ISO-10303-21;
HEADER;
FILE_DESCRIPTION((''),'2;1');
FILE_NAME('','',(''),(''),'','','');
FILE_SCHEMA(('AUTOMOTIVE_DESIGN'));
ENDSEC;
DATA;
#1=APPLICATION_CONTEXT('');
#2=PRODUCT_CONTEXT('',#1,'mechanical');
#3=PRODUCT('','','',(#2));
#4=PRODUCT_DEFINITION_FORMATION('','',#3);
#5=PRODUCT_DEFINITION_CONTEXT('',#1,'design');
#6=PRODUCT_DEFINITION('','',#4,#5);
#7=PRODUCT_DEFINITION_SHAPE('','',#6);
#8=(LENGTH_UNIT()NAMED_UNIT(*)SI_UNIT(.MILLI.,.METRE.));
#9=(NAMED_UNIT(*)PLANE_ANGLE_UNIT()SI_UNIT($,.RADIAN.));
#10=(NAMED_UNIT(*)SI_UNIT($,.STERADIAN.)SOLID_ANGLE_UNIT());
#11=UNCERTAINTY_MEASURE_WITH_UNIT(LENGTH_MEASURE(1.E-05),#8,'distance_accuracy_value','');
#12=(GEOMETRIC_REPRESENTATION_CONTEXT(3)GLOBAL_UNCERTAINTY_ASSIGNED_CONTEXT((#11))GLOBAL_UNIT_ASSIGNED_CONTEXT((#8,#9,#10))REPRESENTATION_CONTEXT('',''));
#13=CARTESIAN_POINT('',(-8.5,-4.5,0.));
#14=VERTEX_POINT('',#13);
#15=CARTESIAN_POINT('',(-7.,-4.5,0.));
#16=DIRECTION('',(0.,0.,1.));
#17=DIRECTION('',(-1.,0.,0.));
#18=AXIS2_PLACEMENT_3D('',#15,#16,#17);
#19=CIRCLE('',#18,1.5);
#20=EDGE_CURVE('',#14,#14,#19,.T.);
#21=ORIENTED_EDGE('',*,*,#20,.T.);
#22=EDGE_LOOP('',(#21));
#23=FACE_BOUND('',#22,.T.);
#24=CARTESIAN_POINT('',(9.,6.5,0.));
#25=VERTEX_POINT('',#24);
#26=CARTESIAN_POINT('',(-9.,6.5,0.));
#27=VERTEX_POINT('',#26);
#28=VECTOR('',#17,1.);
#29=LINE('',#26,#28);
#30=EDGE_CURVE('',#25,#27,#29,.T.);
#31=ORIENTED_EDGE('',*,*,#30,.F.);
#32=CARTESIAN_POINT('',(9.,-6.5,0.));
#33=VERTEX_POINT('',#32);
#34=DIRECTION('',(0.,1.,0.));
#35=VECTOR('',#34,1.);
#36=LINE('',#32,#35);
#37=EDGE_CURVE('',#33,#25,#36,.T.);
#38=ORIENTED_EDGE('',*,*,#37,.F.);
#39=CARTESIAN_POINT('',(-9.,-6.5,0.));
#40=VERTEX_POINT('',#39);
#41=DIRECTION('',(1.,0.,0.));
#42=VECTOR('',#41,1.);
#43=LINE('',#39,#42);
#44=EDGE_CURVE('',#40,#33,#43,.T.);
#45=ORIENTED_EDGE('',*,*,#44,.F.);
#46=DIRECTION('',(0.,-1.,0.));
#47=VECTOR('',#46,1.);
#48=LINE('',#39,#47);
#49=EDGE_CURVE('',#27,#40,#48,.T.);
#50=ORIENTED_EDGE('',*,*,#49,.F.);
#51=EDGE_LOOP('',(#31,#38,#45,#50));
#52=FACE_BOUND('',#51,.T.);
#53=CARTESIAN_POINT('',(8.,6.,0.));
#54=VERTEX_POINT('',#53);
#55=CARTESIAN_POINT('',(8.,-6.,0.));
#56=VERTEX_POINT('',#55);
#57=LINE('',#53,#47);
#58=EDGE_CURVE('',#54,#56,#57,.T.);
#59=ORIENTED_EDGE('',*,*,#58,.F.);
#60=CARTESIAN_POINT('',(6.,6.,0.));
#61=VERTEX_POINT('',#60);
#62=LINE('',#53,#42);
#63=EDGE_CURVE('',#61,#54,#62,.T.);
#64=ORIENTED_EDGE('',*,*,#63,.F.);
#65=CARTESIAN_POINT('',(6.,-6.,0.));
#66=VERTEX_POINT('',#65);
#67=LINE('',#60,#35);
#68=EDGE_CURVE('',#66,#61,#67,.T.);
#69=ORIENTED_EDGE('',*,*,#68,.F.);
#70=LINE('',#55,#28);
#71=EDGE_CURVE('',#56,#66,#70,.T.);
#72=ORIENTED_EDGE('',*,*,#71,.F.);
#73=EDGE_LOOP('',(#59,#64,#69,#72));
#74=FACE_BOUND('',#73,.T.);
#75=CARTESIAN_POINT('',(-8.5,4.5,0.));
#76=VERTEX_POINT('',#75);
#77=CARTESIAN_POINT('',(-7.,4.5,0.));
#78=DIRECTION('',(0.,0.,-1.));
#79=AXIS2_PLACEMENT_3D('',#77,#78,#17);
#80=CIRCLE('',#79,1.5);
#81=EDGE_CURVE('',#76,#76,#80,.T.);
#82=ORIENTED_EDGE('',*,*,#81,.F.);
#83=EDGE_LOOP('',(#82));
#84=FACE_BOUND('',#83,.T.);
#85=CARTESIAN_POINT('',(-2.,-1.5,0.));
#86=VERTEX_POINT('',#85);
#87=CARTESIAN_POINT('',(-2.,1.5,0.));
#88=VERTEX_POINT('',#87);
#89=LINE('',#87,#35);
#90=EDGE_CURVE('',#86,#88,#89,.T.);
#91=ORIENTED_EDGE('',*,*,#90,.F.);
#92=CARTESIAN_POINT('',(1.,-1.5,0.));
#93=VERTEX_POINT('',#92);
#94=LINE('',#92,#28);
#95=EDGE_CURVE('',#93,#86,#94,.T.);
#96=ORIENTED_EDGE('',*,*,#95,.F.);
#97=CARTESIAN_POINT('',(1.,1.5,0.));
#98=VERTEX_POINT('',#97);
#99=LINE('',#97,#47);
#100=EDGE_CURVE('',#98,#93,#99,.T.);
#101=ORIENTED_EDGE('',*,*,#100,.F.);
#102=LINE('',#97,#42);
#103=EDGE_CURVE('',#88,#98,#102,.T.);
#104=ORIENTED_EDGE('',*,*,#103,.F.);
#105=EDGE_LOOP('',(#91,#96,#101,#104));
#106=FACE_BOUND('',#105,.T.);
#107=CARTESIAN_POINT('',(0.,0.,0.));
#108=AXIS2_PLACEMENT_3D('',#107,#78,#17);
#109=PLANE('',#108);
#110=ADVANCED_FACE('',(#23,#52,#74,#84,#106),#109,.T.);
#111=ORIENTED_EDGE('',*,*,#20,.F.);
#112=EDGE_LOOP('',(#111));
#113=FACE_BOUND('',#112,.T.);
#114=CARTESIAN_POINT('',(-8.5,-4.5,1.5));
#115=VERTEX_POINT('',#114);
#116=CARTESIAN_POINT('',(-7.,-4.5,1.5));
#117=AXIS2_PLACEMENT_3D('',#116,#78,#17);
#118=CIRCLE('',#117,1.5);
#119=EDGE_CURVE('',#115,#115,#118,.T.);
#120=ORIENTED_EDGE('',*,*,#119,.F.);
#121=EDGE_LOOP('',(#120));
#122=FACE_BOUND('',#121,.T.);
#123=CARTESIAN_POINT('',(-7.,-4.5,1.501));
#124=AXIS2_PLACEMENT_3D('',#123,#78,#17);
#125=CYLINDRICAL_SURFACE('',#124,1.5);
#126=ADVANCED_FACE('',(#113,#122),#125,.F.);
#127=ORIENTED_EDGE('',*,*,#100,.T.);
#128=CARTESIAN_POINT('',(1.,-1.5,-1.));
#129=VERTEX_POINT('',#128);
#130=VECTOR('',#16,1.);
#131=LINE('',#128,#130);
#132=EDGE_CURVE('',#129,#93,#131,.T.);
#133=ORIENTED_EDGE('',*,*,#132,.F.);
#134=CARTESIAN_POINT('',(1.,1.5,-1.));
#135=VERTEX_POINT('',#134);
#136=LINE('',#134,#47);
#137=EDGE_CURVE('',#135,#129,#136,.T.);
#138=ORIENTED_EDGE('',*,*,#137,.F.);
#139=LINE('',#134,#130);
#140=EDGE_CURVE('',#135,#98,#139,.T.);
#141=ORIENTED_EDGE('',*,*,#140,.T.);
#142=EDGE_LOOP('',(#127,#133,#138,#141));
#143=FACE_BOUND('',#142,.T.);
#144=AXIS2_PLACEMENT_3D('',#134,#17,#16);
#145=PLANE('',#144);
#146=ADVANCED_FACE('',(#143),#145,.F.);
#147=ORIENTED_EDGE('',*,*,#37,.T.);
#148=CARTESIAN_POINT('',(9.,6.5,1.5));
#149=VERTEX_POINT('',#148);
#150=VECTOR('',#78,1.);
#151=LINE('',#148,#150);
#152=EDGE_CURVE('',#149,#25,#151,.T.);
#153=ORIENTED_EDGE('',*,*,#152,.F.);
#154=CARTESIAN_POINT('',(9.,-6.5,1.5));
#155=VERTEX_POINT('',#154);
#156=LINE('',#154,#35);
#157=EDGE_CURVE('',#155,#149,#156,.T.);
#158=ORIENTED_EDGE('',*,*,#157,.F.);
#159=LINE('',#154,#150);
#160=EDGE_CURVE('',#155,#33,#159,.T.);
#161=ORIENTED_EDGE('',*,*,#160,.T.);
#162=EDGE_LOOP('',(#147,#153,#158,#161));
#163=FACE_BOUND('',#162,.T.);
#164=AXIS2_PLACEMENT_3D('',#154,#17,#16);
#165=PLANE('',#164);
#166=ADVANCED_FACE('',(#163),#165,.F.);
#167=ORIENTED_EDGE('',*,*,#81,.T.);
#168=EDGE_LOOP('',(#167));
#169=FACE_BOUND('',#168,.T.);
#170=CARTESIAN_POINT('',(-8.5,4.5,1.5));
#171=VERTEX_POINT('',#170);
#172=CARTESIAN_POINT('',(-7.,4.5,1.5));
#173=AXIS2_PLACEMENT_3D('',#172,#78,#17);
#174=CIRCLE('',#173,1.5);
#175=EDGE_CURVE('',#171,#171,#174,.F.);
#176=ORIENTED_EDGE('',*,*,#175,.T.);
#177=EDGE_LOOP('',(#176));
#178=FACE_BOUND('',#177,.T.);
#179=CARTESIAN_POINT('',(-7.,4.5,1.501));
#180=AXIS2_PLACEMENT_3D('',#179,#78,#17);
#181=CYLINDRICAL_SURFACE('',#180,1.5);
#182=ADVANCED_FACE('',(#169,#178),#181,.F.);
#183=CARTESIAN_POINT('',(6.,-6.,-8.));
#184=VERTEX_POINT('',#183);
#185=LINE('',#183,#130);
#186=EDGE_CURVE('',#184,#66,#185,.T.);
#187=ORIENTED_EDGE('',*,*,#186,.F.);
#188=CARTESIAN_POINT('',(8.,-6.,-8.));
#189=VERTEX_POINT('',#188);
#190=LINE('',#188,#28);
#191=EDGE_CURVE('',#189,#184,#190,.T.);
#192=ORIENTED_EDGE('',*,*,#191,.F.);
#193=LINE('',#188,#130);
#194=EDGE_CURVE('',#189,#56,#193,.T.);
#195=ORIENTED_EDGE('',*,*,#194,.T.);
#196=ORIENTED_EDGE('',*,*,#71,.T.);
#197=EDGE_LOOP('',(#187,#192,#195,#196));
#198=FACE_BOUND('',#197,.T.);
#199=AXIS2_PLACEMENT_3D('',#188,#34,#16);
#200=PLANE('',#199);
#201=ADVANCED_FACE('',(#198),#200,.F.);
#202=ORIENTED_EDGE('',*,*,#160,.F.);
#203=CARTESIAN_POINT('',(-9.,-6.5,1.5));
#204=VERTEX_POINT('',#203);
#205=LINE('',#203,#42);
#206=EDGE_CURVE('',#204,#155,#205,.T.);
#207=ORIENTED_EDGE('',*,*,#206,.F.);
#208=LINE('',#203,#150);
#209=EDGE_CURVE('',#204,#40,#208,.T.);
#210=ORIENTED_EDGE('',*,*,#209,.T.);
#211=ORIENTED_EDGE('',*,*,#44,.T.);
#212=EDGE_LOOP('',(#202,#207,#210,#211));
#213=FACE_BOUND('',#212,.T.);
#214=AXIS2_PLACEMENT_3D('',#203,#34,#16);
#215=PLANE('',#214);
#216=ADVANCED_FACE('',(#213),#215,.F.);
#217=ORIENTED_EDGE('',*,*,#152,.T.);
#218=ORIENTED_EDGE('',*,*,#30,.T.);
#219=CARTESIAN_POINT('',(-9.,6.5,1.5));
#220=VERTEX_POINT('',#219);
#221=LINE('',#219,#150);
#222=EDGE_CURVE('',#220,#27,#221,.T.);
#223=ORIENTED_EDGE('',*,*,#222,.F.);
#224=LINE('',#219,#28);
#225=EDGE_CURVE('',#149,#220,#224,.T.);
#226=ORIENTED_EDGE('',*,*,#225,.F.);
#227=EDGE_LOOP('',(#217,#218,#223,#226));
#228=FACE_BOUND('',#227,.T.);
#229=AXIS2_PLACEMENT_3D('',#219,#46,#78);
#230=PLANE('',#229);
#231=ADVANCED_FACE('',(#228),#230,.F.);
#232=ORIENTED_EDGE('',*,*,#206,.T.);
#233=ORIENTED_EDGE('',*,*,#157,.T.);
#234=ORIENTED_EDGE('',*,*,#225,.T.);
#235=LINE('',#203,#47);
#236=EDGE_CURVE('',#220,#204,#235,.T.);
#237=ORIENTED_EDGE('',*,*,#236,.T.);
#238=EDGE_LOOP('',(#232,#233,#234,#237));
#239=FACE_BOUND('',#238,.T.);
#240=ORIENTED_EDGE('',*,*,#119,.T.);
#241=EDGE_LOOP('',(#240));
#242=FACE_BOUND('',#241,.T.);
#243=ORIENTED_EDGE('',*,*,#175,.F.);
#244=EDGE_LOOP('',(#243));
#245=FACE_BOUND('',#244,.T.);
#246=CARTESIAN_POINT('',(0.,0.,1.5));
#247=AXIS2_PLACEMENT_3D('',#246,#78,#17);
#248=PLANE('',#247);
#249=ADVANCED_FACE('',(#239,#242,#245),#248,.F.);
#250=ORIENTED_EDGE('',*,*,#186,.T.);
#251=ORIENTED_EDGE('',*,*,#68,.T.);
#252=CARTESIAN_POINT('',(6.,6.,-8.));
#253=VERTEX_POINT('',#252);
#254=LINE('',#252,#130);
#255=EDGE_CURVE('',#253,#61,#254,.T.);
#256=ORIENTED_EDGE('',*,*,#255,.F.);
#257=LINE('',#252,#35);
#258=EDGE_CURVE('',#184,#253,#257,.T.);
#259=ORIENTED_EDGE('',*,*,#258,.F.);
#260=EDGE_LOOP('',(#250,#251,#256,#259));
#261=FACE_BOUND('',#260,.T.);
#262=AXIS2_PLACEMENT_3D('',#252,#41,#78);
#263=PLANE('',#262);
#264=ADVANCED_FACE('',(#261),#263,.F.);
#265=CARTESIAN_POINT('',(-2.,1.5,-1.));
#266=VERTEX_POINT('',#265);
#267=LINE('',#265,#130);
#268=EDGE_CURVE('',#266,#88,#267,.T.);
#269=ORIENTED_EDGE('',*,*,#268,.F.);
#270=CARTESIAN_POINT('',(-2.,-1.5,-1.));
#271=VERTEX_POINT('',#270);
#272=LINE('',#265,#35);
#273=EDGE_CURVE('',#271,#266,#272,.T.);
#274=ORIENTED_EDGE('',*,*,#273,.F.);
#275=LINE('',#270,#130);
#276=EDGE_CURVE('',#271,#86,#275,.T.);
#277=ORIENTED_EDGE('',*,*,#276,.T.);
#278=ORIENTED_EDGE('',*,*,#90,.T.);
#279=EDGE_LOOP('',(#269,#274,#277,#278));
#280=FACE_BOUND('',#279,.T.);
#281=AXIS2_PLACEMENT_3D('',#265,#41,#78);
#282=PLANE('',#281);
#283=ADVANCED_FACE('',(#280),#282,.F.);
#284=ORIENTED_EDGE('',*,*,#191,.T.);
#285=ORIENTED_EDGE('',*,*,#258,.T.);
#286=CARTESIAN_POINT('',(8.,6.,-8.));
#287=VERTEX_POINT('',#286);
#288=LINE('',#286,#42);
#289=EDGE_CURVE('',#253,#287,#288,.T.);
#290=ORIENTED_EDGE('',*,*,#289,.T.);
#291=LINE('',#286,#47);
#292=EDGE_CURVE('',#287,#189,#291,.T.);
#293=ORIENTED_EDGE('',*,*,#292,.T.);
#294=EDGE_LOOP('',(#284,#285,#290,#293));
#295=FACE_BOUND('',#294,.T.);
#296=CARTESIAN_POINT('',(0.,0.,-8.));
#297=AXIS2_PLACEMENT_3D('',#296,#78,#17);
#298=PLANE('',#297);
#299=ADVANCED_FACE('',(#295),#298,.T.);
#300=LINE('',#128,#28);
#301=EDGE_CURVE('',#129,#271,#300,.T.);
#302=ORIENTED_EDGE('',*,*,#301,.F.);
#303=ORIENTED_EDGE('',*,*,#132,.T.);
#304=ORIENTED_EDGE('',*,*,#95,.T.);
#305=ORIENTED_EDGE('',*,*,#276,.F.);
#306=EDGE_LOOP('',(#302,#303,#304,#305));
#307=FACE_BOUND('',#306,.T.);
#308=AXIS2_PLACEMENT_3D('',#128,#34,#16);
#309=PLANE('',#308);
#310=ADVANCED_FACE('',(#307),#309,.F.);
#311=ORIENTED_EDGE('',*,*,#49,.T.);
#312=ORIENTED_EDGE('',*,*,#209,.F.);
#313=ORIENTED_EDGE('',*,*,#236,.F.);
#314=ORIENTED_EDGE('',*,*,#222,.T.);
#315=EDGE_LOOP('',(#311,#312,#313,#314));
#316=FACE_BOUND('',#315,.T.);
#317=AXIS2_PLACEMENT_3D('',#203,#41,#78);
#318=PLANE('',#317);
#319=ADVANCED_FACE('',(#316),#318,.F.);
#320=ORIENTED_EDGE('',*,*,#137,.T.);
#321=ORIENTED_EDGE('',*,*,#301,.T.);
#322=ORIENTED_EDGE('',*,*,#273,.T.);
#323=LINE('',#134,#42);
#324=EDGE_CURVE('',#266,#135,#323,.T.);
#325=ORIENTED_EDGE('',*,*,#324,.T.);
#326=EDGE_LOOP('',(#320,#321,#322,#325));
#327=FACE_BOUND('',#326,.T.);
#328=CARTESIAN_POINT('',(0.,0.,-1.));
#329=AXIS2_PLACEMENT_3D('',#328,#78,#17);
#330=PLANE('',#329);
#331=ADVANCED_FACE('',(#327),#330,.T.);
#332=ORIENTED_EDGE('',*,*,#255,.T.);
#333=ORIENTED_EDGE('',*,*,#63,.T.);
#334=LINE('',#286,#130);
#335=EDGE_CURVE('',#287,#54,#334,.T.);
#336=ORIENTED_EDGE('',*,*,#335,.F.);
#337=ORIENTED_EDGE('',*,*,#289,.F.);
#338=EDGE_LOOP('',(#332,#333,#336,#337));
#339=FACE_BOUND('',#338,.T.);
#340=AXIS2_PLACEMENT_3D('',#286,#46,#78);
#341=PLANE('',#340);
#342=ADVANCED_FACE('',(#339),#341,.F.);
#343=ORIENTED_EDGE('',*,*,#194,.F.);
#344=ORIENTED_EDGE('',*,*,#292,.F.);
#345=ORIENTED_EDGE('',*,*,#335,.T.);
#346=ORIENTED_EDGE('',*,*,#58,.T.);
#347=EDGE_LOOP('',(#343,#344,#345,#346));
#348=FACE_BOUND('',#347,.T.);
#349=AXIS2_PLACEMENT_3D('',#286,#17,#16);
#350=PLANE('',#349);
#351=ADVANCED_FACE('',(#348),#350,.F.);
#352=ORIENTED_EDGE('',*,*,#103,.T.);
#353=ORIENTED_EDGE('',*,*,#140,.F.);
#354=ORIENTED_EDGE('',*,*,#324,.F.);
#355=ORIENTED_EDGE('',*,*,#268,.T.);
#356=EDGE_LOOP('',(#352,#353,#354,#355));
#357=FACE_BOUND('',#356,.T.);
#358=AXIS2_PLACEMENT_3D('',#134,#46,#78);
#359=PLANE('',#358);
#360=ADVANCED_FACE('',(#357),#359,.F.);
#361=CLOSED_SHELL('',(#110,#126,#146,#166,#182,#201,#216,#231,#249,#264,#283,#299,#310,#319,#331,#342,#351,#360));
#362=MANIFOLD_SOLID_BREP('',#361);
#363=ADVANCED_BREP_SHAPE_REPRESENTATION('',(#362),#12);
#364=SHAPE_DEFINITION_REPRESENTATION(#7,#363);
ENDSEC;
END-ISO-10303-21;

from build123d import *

# Parameters (mm, degrees)
ESQUISSE1_W             = 18
ESQUISSE1_H             = 13
BOSS_EXTRU_1_DEPTH      = 1.5
ENL_V_MAT_EXTRU_1_REACH = 13.203
ESQUISSE2_R             = 1.5
ESQUISSE3_W             = 2
ESQUISSE3_H             = 12
BOSS_EXTRU_2_DEPTH      = 8
ESQUISSE4_W             = 3
ESQUISSE4_H             = 3
BOSS_EXTRU_3_DEPTH      = 1


with BuildPart() as part:
    # Esquisse1 → Boss.-Extru.1 (new body)
    with BuildSketch(Plane.XY):
        Rectangle(ESQUISSE1_W, ESQUISSE1_H)
    extrude(amount=BOSS_EXTRU_1_DEPTH)

    # Esquisse2 → Enlèv. mat.-Extru.1 (cut, up to next)
    with BuildSketch(Plane(origin=(0, 0, 0), x_dir=(-1, 0, 0), z_dir=(0, 0, -1)), mode=Mode.PRIVATE) as enl_v_mat_extru_1_sk1:
        with Locations((7, 4.5)):
            Circle(ESQUISSE2_R)
    enl_v_mat_extru_1_tool1 = extrude(enl_v_mat_extru_1_sk1.sketch, amount=-ENL_V_MAT_EXTRU_1_REACH, mode=Mode.PRIVATE) & part.part
    enl_v_mat_extru_1 = enl_v_mat_extru_1_tool1.solids().sort_by_distance((-7, 4.5, 0))[0]
    add(enl_v_mat_extru_1, mode=Mode.SUBTRACT)

    # Symétrie1: Enlèv. mat.-Extru.1 across plane
    add(enl_v_mat_extru_1.mirror(Plane.ZX), mode=Mode.SUBTRACT)

    # Esquisse3 → Boss.-Extru.2 (add)
    with BuildSketch(Plane(origin=(0, 0, 0), x_dir=(-1, 0, 0), z_dir=(0, 0, -1))):
        with Locations((-7, 0)):
            Rectangle(ESQUISSE3_W, ESQUISSE3_H)
    extrude(amount=BOSS_EXTRU_2_DEPTH)

    # Esquisse4 → Boss.-Extru.3 (add)
    with BuildSketch(Plane(origin=(0, 0, 0), x_dir=(-1, 0, 0), z_dir=(0, 0, -1))):
        with Locations((0.5, 0)):
            Rectangle(ESQUISSE4_W, ESQUISSE4_H)
    extrude(amount=BOSS_EXTRU_3_DEPTH)


solid = part.part
